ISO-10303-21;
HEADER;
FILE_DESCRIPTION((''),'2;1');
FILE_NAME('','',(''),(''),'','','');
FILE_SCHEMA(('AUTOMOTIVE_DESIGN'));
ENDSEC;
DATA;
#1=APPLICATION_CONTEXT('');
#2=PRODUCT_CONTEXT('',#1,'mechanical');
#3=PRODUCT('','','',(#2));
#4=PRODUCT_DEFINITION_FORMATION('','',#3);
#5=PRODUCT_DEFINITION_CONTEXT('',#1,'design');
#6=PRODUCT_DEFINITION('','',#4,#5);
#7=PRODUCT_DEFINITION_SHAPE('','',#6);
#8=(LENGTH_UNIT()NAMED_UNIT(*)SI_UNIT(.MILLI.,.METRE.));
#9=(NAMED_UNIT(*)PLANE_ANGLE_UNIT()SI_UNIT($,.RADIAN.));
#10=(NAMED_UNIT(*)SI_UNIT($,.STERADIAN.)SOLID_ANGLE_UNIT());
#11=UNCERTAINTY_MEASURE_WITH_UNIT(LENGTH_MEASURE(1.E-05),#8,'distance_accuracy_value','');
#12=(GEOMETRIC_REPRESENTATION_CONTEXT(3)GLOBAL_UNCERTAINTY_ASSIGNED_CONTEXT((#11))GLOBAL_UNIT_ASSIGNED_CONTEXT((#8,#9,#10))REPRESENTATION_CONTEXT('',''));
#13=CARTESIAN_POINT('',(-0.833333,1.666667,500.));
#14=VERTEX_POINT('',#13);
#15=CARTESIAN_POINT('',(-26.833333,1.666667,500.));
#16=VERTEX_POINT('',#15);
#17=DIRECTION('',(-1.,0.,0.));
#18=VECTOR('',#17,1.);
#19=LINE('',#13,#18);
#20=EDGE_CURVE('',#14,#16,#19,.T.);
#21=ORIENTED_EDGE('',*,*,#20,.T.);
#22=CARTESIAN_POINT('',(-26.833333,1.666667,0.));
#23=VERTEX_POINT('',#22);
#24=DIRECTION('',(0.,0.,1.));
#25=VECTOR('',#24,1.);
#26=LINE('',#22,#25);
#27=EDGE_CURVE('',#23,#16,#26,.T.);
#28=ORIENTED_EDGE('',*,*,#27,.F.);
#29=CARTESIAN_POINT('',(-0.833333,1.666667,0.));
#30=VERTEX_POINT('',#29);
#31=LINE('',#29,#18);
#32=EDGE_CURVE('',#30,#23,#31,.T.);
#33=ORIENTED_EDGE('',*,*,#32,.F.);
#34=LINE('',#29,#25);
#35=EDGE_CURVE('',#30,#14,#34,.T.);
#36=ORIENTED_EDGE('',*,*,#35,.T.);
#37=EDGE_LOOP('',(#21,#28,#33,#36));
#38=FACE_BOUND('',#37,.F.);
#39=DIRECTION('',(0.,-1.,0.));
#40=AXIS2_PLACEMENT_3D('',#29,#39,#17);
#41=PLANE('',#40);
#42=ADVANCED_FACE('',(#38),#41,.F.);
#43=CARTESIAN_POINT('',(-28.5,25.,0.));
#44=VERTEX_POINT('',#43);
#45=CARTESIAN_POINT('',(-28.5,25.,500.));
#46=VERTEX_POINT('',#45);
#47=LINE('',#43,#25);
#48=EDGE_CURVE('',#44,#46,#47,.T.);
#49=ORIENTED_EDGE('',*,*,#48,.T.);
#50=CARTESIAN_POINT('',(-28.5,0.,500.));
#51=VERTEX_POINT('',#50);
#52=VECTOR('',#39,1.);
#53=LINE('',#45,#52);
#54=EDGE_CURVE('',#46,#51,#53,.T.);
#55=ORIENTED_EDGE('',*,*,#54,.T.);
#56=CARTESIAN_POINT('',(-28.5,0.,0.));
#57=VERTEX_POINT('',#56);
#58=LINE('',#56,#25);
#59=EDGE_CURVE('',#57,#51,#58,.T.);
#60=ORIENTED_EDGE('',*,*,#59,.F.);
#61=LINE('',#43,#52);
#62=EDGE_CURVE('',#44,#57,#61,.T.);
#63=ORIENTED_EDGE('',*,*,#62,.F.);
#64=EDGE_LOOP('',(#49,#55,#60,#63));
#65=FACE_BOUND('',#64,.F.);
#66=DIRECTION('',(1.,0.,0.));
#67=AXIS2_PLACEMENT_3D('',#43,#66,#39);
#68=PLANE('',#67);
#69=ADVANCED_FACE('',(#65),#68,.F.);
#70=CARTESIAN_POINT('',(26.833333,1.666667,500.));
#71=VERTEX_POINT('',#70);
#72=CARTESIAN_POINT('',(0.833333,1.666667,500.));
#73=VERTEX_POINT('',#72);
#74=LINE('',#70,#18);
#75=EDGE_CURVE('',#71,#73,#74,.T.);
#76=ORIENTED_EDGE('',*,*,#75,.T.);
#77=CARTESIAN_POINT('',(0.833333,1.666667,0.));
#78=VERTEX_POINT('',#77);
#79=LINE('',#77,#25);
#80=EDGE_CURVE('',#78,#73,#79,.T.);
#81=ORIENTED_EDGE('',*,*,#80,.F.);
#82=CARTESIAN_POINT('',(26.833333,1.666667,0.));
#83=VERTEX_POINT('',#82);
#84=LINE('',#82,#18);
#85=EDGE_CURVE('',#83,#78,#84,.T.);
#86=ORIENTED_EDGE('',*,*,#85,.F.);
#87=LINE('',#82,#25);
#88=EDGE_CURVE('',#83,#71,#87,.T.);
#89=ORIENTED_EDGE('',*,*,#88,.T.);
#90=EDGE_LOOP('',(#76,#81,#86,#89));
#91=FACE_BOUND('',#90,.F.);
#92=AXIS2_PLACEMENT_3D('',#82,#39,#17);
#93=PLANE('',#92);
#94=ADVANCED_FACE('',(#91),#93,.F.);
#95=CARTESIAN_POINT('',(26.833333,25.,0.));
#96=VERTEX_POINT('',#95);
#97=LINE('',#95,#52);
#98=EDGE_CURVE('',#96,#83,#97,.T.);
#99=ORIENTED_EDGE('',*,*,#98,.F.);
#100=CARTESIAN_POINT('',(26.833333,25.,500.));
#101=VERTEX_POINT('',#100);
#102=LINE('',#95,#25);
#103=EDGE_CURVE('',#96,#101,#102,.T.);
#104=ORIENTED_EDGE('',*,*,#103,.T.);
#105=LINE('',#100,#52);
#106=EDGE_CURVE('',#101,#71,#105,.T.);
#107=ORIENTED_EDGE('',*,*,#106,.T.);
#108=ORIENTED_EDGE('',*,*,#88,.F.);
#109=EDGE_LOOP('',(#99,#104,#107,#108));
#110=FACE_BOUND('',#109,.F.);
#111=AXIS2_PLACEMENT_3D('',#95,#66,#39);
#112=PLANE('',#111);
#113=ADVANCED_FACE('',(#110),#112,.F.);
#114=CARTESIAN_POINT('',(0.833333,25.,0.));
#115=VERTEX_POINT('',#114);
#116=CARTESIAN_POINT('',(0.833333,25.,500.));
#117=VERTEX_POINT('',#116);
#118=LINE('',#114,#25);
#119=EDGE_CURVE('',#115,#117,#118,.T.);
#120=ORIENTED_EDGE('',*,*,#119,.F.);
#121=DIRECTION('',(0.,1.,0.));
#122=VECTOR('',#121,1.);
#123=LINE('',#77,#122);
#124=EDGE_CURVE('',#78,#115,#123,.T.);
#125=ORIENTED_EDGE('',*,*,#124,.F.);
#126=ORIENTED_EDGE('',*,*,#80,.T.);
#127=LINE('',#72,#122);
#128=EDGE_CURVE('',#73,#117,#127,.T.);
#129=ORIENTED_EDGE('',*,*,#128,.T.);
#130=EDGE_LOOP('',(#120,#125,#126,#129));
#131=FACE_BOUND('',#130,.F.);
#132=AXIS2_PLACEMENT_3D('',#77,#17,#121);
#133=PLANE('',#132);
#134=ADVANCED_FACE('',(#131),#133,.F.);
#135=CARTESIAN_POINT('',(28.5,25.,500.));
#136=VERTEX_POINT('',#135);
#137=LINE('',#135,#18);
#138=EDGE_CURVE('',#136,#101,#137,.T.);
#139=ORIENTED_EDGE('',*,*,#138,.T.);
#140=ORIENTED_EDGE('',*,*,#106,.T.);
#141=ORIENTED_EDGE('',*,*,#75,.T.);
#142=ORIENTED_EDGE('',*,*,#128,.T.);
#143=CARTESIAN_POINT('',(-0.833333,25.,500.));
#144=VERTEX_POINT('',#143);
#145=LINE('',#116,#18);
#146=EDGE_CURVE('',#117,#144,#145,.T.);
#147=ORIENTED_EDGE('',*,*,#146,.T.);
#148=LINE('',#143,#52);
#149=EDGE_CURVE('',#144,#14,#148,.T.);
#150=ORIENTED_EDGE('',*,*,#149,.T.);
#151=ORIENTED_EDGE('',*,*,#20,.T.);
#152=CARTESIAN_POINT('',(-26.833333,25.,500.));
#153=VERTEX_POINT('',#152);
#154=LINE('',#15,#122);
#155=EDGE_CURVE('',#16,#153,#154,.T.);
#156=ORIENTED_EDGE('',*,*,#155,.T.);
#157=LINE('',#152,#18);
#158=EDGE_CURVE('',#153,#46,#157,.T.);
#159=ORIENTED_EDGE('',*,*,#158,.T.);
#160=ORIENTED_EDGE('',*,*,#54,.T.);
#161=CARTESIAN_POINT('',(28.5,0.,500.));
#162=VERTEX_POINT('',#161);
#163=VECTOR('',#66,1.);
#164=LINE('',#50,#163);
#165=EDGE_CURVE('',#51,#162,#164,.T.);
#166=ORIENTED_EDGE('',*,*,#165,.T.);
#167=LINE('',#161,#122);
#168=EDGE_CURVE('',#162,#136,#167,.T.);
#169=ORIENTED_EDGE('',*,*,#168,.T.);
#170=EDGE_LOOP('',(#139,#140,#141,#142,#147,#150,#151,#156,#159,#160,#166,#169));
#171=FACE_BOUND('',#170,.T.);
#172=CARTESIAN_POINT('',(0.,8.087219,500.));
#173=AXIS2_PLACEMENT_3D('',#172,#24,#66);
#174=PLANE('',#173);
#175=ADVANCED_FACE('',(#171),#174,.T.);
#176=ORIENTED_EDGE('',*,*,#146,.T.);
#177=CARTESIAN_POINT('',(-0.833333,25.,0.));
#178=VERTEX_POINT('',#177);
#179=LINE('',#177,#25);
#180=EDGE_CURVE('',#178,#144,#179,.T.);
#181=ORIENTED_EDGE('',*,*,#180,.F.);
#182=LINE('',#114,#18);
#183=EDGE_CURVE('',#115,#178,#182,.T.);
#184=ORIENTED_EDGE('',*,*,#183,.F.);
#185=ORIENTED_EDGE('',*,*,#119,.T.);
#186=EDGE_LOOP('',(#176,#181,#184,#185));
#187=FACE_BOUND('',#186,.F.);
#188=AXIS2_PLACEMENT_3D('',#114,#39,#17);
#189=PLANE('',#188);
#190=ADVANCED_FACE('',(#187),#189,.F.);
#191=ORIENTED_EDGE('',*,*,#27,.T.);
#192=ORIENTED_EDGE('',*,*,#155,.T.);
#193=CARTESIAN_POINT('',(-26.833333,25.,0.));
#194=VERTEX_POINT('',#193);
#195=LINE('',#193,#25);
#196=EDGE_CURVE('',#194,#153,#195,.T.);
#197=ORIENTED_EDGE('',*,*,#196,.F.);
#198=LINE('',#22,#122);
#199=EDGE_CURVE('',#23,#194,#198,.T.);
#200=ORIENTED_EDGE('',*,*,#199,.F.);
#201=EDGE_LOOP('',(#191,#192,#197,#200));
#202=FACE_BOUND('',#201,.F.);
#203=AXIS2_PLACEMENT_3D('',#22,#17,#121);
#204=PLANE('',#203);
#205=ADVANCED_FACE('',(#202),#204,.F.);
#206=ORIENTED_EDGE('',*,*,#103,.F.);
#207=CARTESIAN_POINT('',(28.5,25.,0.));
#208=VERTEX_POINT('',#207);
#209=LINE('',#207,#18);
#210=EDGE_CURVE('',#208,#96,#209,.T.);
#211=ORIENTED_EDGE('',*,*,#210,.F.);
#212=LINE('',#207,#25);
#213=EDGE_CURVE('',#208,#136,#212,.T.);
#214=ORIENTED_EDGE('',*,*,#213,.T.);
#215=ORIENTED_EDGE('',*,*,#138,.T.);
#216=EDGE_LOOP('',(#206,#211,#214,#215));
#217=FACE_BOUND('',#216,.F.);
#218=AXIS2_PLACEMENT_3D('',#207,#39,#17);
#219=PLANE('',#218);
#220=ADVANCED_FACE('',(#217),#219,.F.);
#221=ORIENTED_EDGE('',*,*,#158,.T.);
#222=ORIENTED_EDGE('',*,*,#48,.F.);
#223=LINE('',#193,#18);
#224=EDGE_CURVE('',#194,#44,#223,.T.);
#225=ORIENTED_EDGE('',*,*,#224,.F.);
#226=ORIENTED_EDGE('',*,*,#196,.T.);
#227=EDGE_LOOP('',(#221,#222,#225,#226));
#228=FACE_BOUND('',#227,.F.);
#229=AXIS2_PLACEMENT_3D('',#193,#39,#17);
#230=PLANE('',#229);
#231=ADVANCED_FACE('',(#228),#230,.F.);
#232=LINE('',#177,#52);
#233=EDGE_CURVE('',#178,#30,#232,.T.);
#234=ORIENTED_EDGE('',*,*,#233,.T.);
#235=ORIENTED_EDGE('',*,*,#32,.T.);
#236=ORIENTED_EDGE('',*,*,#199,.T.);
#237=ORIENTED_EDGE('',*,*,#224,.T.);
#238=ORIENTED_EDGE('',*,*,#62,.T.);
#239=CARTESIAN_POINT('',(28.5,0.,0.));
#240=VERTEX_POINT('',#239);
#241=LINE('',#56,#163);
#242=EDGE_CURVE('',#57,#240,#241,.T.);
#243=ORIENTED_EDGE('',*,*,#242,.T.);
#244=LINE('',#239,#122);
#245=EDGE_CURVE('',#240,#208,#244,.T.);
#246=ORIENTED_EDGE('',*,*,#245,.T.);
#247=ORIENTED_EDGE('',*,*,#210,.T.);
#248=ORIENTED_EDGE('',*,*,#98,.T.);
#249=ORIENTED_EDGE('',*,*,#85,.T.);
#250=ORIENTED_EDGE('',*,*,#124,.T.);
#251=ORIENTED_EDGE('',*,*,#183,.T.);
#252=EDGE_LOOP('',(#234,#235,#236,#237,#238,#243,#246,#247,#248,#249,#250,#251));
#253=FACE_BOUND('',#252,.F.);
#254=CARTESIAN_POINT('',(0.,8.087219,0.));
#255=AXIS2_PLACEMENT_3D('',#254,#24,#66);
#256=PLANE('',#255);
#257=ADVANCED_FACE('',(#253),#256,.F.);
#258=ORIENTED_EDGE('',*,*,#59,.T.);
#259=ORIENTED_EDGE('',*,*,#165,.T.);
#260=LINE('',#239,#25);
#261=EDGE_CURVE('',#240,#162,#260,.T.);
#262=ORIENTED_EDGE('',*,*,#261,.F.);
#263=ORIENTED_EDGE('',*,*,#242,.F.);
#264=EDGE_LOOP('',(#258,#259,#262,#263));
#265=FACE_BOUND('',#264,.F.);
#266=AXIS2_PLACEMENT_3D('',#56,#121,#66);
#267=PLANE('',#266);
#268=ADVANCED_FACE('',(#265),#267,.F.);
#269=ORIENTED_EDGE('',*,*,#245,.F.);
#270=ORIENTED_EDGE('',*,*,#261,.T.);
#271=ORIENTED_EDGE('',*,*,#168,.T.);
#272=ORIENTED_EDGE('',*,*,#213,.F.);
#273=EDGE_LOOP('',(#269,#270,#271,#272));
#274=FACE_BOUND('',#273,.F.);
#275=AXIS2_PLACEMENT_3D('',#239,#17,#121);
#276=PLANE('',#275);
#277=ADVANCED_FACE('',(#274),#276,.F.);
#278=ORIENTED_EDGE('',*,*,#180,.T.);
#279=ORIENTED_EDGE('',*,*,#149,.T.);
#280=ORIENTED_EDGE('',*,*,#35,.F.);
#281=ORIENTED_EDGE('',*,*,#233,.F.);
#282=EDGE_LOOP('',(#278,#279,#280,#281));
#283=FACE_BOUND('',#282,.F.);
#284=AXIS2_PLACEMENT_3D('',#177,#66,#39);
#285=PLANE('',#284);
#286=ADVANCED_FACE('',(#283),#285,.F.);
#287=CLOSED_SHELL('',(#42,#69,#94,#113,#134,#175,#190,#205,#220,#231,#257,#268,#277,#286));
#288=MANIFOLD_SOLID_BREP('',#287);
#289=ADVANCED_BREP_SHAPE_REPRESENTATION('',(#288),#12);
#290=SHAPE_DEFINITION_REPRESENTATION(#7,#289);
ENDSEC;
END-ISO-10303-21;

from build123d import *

# Parameters (mm, degrees)
PAD_DEPTH = 500


with BuildPart() as part:
    # Sketch → Pad (new body)
    with BuildSketch(Plane.XY):
        Polygon((-28.5, 25), (-28.5, 0), (28.5, 0), (28.5, 25), (26.833333, 25), (26.833333, 1.666667), (0.833333, 1.666667), (0.833333, 25), (-0.833333, 25), (-0.833333, 1.666667), (-26.833333, 1.666667), (-26.833333, 25), align=None)
    extrude(amount=PAD_DEPTH)


solid = part.part
